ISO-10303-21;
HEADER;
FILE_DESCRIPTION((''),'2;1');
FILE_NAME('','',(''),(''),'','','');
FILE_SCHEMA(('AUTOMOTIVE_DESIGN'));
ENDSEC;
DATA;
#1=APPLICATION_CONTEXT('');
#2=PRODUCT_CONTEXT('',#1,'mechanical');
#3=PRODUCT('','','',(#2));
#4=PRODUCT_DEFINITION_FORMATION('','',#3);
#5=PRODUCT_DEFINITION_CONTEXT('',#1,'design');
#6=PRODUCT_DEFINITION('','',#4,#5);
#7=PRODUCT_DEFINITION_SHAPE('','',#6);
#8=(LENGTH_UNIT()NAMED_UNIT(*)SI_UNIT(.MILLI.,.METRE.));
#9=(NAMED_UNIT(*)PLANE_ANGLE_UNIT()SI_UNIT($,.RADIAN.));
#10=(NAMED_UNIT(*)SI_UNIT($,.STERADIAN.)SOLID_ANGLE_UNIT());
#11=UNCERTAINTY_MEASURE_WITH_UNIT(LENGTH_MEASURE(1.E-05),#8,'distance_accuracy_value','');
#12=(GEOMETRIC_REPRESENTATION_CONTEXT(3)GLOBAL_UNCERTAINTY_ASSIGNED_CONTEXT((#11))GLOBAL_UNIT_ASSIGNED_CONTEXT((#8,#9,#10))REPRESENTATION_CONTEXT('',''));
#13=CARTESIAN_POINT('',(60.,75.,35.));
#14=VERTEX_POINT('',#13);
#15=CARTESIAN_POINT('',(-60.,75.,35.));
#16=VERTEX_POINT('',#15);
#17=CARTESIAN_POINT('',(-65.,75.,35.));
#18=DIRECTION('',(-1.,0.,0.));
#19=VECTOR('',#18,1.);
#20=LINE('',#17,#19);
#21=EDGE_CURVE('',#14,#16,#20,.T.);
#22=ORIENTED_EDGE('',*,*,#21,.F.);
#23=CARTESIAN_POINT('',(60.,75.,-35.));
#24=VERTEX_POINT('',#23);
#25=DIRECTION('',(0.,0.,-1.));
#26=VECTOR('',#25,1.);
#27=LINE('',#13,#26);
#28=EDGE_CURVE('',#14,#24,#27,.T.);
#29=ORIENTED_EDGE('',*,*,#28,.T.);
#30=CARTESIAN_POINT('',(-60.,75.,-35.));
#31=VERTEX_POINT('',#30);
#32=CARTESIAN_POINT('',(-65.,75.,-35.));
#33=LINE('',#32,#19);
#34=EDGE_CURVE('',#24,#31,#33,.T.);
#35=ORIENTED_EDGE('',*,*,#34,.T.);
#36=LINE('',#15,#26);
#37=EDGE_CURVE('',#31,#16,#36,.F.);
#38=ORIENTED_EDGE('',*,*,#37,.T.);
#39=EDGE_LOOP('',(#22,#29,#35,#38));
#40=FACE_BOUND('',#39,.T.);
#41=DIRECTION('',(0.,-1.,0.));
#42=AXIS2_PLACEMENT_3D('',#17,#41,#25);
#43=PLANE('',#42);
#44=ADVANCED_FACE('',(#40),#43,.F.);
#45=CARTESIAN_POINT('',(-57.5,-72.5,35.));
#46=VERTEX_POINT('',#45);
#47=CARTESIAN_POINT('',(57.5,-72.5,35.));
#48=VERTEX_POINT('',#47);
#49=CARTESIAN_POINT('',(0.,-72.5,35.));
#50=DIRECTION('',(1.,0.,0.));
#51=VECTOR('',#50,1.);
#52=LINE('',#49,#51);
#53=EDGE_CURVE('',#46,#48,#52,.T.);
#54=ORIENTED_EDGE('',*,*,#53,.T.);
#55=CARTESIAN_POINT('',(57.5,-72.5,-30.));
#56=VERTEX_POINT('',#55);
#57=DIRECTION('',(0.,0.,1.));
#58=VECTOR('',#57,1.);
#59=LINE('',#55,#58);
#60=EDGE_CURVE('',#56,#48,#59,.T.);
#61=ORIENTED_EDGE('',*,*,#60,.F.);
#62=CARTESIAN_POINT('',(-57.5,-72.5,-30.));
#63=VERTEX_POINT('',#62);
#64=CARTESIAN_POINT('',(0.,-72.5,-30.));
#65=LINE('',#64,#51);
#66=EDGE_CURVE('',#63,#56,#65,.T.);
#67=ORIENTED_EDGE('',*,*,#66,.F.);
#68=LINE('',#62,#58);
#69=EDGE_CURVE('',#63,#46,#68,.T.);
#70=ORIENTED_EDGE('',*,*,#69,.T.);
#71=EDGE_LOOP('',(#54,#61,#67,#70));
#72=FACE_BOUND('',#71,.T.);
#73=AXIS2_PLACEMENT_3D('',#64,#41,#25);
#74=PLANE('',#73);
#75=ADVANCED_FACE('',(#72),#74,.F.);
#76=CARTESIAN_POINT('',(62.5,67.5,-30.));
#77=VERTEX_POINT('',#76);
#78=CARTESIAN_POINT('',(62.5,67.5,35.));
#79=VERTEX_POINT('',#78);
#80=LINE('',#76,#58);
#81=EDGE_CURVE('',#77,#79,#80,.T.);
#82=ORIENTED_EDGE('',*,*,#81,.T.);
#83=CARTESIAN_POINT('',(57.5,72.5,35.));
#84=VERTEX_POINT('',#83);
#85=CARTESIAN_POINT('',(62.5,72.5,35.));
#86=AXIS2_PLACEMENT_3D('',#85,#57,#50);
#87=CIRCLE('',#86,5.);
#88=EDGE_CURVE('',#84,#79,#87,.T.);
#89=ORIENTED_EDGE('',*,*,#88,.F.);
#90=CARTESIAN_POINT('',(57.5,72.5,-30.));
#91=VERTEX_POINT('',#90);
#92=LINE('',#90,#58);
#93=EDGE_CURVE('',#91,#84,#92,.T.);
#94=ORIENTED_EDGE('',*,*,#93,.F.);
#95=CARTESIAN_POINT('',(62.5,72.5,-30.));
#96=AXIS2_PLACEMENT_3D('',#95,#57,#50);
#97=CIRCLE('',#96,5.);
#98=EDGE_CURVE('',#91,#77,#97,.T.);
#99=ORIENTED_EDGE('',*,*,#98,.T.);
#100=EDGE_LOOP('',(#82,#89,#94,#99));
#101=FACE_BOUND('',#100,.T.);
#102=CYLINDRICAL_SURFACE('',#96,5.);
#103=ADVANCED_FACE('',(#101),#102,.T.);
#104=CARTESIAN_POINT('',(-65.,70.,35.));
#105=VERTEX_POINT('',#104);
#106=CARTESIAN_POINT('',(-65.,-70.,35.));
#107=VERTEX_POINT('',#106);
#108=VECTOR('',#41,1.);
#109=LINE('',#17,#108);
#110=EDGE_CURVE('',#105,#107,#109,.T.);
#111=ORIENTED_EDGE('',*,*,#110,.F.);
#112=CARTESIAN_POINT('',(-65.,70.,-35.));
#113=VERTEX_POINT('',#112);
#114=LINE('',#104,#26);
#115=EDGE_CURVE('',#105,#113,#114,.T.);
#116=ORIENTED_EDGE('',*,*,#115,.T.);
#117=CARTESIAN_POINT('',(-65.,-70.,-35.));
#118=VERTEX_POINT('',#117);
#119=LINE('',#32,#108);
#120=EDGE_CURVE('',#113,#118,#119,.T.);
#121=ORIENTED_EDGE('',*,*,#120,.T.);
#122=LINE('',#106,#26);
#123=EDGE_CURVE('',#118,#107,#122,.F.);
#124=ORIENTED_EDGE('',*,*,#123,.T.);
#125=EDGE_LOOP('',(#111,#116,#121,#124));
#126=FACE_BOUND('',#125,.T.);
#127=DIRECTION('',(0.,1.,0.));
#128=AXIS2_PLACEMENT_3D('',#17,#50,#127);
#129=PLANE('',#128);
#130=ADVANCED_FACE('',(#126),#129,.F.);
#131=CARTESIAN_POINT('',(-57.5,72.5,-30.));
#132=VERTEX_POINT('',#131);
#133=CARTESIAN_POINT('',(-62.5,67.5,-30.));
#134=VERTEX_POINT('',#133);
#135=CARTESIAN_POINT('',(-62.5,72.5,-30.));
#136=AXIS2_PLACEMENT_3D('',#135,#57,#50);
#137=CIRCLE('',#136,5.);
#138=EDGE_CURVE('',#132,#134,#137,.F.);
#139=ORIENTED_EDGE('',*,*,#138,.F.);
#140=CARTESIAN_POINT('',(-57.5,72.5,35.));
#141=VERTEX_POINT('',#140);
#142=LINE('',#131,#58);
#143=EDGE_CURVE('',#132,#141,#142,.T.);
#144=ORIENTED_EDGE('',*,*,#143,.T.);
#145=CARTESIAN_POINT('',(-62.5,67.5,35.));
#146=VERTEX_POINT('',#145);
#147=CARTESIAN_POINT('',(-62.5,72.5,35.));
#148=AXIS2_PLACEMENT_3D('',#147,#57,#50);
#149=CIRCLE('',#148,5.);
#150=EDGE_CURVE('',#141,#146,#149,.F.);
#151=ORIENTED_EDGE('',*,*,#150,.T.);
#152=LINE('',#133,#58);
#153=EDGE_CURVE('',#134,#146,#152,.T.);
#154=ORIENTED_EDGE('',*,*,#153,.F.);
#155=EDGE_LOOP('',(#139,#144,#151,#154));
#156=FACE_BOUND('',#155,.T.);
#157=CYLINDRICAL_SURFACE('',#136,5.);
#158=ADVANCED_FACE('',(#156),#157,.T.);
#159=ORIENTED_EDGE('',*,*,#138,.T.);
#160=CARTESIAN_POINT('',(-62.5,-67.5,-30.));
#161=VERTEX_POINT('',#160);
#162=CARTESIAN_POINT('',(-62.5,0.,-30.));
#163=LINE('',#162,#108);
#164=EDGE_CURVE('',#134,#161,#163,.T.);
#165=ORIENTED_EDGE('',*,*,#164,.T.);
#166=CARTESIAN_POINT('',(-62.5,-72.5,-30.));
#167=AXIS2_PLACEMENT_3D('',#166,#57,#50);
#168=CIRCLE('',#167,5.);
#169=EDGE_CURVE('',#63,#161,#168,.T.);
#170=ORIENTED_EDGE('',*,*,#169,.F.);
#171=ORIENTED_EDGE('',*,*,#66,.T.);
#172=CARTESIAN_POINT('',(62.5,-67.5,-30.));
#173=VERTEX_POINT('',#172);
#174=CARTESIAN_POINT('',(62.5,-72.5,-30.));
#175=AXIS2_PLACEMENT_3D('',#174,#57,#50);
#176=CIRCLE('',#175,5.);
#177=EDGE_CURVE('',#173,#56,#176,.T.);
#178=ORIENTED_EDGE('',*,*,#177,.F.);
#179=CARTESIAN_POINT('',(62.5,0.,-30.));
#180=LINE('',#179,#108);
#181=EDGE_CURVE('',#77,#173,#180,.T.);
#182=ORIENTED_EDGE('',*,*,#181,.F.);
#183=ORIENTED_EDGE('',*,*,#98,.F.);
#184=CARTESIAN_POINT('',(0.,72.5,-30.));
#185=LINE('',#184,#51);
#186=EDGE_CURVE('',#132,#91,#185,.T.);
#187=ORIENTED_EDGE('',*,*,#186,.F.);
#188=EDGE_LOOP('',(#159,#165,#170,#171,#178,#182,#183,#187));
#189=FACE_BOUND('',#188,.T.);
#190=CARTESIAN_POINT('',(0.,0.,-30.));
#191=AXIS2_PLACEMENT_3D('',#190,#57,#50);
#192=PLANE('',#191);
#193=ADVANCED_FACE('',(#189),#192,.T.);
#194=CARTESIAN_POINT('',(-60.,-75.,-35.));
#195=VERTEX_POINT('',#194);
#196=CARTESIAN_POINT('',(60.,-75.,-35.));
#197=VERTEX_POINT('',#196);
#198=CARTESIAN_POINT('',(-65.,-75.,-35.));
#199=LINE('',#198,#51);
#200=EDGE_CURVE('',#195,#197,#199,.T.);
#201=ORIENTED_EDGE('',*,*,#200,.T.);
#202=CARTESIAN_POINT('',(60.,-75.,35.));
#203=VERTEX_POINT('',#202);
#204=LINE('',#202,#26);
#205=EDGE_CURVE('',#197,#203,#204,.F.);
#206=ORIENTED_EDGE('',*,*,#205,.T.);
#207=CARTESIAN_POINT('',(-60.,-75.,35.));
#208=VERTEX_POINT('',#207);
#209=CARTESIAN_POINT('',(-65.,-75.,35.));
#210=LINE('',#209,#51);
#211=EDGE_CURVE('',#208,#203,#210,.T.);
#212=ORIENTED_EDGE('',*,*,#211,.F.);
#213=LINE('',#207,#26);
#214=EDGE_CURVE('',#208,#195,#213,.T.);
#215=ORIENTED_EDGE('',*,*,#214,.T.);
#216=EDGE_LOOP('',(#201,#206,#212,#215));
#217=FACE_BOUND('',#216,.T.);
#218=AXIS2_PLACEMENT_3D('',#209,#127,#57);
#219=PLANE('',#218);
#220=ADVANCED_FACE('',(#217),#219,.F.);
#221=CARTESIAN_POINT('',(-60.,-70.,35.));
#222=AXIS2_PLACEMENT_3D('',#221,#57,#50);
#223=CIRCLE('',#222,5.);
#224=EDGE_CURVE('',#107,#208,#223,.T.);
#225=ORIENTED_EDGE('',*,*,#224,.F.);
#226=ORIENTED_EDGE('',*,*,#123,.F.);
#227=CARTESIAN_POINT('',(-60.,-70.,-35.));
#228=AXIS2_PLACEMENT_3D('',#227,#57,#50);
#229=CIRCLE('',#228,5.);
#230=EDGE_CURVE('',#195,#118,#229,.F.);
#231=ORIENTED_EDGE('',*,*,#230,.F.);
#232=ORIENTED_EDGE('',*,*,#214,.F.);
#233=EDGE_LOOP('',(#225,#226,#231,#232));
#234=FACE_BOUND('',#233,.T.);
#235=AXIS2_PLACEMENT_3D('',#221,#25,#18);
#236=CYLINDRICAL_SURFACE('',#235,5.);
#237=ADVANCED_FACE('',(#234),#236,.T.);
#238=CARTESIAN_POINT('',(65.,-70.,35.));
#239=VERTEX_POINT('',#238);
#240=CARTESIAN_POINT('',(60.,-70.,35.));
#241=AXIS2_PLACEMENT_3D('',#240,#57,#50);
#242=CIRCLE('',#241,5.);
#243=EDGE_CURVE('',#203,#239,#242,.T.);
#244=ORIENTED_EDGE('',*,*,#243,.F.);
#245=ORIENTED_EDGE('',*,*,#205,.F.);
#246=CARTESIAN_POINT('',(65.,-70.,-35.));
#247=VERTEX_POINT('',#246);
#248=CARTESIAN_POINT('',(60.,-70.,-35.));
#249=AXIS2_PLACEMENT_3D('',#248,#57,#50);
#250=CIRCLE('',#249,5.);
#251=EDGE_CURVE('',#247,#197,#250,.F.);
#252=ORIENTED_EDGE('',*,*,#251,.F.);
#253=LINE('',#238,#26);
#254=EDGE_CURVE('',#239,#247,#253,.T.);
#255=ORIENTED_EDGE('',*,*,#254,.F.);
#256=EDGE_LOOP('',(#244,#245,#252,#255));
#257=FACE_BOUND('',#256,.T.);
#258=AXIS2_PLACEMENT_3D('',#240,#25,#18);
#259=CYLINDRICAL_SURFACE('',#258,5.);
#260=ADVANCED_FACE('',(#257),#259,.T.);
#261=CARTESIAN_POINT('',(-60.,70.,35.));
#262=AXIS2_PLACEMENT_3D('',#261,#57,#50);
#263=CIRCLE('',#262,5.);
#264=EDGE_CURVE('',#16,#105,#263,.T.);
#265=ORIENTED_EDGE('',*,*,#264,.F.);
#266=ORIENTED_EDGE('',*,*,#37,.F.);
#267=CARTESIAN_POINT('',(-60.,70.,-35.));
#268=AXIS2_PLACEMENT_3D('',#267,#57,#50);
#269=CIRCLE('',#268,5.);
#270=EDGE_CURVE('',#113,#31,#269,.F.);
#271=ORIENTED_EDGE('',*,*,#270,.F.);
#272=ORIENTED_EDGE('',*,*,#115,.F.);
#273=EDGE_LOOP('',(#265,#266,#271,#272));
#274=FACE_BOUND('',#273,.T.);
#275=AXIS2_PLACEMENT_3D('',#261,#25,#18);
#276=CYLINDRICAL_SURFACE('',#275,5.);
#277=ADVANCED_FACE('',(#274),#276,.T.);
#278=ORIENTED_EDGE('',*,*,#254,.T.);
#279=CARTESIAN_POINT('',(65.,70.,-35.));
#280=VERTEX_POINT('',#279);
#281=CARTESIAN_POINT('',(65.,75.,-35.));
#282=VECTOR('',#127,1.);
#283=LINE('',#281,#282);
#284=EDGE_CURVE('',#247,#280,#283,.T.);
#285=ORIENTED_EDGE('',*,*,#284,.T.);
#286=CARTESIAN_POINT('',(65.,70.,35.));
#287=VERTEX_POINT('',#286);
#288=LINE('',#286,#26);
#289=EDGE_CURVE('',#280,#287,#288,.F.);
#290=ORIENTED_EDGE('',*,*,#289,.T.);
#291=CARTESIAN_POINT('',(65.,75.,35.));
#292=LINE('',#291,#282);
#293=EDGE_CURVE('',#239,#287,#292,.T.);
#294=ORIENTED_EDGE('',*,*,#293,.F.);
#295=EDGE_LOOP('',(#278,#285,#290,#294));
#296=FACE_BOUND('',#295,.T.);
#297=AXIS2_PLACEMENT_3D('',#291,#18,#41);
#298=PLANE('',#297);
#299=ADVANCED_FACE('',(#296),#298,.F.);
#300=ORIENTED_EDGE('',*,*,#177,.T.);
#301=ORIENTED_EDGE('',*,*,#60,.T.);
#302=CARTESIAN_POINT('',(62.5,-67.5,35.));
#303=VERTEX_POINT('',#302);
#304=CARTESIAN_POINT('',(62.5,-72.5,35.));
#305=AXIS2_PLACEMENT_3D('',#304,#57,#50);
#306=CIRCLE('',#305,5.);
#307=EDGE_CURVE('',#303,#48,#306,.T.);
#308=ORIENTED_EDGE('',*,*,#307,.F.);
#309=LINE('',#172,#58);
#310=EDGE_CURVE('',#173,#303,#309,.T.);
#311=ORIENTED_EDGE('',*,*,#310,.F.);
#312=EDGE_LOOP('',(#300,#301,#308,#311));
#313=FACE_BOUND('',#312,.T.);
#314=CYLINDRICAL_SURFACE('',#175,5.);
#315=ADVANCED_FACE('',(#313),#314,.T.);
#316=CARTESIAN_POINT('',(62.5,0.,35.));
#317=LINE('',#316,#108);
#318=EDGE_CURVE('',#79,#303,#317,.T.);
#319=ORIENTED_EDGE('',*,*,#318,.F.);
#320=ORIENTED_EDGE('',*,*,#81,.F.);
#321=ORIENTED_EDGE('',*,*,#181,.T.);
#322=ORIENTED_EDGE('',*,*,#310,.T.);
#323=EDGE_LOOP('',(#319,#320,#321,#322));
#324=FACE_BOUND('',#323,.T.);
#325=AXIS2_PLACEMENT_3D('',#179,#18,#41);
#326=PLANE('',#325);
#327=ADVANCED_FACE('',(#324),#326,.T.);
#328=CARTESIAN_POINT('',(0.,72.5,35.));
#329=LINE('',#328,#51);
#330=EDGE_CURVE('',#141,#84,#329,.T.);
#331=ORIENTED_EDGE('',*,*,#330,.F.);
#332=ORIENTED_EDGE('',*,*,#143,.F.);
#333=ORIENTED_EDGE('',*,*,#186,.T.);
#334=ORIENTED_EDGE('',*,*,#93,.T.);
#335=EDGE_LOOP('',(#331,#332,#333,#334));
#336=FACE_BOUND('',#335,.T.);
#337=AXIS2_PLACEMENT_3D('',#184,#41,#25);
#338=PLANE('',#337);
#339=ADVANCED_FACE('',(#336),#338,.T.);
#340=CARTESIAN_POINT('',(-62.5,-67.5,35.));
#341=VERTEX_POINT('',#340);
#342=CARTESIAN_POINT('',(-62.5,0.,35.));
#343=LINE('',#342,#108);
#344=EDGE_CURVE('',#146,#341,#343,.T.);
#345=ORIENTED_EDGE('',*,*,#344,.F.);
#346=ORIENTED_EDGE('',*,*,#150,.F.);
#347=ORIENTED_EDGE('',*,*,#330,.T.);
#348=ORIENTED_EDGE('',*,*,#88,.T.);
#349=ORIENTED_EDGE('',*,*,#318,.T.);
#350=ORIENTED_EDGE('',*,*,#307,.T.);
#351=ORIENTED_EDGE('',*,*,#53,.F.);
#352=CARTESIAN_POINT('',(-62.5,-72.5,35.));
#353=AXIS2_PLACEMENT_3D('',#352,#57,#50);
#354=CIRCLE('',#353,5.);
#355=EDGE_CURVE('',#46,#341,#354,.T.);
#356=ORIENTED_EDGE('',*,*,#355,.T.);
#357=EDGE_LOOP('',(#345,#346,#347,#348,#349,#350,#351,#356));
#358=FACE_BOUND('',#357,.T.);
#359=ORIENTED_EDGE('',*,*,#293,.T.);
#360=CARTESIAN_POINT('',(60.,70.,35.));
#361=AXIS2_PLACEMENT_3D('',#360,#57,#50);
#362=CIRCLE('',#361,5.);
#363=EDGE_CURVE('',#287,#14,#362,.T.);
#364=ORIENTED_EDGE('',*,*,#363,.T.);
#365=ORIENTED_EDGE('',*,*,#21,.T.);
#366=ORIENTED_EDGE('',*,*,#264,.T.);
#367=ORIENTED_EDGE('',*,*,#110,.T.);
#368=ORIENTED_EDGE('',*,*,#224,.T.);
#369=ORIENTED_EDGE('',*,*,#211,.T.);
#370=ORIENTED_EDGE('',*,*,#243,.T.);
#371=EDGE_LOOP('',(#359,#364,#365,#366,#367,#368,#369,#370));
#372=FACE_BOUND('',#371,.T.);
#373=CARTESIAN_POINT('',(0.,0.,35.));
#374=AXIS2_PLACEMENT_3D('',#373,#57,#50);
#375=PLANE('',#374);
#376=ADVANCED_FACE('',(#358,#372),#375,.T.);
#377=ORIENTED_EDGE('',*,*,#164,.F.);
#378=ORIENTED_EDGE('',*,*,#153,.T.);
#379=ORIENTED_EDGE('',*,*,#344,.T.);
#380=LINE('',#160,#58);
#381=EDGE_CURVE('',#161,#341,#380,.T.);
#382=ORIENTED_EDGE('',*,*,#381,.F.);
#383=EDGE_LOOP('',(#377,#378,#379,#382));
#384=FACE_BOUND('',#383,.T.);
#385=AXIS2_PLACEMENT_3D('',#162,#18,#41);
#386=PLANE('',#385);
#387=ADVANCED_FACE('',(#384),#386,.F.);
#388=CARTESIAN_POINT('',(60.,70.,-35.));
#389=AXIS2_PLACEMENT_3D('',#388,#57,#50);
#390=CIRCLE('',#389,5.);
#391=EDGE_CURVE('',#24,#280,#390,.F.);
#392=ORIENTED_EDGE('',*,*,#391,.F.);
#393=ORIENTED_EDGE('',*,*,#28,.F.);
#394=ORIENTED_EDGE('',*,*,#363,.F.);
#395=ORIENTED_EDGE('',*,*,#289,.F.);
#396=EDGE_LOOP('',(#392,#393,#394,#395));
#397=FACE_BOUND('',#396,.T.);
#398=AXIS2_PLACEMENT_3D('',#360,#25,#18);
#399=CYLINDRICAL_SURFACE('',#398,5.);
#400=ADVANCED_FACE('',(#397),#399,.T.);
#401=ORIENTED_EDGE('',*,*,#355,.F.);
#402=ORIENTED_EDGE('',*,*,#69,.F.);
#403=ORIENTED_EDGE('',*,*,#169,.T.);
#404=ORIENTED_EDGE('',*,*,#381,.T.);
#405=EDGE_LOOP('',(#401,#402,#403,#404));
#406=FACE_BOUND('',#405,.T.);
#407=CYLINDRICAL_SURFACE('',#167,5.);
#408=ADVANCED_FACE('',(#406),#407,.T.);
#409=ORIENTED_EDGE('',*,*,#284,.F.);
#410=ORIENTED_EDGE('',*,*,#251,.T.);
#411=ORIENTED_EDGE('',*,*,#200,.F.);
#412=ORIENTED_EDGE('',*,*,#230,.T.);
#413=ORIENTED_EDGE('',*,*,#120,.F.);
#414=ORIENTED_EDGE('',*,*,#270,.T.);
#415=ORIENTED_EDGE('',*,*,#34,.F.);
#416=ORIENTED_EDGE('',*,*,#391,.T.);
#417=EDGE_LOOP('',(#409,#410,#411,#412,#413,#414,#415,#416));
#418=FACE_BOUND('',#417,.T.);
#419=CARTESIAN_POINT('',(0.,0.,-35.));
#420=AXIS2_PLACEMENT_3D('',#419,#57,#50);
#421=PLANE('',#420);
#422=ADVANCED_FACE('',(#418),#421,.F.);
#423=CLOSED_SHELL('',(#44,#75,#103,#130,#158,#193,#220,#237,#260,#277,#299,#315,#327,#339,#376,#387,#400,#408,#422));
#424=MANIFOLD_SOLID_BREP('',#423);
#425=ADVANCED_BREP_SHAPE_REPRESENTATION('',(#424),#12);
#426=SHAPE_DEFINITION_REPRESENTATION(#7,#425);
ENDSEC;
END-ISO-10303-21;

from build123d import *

# Parameters (mm, degrees)
SKETCH2_W           = 130
SKETCH2_H           = 150
BOSS_EXTRUDE2_DEPTH = 35
CUT_EXTRUDE2_DEPTH  = 65
FILLET1_R           = 5


with BuildPart() as part:
    # Sketch2 → Boss-Extrude2 (new body, symmetric)
    with BuildSketch(Plane.XY):
        Rectangle(SKETCH2_W, SKETCH2_H)
    extrude(amount=BOSS_EXTRUDE2_DEPTH, both=True)

    # Sketch3 → Cut-Extrude2 (cut)
    with BuildSketch(Plane.XY.offset(35)):
        with BuildLine():
            Line((57.5, 72.5), (-57.5, 72.5))
            ThreePointArc((-57.5, 72.5), (-58.964466094, 68.964466094), (-62.5, 67.5))
            Line((-62.5, 67.5), (-62.5, -67.5))
            ThreePointArc((-62.5, -67.5), (-58.964466094, -68.964466094), (-57.5, -72.5))
            Line((-57.5, -72.5), (57.5, -72.5))
            ThreePointArc((57.5, -72.5), (58.964466094, -68.964466094), (62.5, -67.5))
            Line((62.5, -67.5), (62.5, 67.5))
            ThreePointArc((62.5, 67.5), (58.964466094, 68.964466094), (57.5, 72.5))
        make_face()
    extrude(amount=-CUT_EXTRUDE2_DEPTH, mode=Mode.SUBTRACT)

    # Fillet1
    fillet1_edges = [part.edges().sort_by_distance(p)[0] for p in [
        (65, -75, 0),
        (-65, -75, 0),
        (-65, 75, 0),
        (65, 75, 0),
    ]]
    fillet(fillet1_edges, radius=FILLET1_R)


solid = part.part
